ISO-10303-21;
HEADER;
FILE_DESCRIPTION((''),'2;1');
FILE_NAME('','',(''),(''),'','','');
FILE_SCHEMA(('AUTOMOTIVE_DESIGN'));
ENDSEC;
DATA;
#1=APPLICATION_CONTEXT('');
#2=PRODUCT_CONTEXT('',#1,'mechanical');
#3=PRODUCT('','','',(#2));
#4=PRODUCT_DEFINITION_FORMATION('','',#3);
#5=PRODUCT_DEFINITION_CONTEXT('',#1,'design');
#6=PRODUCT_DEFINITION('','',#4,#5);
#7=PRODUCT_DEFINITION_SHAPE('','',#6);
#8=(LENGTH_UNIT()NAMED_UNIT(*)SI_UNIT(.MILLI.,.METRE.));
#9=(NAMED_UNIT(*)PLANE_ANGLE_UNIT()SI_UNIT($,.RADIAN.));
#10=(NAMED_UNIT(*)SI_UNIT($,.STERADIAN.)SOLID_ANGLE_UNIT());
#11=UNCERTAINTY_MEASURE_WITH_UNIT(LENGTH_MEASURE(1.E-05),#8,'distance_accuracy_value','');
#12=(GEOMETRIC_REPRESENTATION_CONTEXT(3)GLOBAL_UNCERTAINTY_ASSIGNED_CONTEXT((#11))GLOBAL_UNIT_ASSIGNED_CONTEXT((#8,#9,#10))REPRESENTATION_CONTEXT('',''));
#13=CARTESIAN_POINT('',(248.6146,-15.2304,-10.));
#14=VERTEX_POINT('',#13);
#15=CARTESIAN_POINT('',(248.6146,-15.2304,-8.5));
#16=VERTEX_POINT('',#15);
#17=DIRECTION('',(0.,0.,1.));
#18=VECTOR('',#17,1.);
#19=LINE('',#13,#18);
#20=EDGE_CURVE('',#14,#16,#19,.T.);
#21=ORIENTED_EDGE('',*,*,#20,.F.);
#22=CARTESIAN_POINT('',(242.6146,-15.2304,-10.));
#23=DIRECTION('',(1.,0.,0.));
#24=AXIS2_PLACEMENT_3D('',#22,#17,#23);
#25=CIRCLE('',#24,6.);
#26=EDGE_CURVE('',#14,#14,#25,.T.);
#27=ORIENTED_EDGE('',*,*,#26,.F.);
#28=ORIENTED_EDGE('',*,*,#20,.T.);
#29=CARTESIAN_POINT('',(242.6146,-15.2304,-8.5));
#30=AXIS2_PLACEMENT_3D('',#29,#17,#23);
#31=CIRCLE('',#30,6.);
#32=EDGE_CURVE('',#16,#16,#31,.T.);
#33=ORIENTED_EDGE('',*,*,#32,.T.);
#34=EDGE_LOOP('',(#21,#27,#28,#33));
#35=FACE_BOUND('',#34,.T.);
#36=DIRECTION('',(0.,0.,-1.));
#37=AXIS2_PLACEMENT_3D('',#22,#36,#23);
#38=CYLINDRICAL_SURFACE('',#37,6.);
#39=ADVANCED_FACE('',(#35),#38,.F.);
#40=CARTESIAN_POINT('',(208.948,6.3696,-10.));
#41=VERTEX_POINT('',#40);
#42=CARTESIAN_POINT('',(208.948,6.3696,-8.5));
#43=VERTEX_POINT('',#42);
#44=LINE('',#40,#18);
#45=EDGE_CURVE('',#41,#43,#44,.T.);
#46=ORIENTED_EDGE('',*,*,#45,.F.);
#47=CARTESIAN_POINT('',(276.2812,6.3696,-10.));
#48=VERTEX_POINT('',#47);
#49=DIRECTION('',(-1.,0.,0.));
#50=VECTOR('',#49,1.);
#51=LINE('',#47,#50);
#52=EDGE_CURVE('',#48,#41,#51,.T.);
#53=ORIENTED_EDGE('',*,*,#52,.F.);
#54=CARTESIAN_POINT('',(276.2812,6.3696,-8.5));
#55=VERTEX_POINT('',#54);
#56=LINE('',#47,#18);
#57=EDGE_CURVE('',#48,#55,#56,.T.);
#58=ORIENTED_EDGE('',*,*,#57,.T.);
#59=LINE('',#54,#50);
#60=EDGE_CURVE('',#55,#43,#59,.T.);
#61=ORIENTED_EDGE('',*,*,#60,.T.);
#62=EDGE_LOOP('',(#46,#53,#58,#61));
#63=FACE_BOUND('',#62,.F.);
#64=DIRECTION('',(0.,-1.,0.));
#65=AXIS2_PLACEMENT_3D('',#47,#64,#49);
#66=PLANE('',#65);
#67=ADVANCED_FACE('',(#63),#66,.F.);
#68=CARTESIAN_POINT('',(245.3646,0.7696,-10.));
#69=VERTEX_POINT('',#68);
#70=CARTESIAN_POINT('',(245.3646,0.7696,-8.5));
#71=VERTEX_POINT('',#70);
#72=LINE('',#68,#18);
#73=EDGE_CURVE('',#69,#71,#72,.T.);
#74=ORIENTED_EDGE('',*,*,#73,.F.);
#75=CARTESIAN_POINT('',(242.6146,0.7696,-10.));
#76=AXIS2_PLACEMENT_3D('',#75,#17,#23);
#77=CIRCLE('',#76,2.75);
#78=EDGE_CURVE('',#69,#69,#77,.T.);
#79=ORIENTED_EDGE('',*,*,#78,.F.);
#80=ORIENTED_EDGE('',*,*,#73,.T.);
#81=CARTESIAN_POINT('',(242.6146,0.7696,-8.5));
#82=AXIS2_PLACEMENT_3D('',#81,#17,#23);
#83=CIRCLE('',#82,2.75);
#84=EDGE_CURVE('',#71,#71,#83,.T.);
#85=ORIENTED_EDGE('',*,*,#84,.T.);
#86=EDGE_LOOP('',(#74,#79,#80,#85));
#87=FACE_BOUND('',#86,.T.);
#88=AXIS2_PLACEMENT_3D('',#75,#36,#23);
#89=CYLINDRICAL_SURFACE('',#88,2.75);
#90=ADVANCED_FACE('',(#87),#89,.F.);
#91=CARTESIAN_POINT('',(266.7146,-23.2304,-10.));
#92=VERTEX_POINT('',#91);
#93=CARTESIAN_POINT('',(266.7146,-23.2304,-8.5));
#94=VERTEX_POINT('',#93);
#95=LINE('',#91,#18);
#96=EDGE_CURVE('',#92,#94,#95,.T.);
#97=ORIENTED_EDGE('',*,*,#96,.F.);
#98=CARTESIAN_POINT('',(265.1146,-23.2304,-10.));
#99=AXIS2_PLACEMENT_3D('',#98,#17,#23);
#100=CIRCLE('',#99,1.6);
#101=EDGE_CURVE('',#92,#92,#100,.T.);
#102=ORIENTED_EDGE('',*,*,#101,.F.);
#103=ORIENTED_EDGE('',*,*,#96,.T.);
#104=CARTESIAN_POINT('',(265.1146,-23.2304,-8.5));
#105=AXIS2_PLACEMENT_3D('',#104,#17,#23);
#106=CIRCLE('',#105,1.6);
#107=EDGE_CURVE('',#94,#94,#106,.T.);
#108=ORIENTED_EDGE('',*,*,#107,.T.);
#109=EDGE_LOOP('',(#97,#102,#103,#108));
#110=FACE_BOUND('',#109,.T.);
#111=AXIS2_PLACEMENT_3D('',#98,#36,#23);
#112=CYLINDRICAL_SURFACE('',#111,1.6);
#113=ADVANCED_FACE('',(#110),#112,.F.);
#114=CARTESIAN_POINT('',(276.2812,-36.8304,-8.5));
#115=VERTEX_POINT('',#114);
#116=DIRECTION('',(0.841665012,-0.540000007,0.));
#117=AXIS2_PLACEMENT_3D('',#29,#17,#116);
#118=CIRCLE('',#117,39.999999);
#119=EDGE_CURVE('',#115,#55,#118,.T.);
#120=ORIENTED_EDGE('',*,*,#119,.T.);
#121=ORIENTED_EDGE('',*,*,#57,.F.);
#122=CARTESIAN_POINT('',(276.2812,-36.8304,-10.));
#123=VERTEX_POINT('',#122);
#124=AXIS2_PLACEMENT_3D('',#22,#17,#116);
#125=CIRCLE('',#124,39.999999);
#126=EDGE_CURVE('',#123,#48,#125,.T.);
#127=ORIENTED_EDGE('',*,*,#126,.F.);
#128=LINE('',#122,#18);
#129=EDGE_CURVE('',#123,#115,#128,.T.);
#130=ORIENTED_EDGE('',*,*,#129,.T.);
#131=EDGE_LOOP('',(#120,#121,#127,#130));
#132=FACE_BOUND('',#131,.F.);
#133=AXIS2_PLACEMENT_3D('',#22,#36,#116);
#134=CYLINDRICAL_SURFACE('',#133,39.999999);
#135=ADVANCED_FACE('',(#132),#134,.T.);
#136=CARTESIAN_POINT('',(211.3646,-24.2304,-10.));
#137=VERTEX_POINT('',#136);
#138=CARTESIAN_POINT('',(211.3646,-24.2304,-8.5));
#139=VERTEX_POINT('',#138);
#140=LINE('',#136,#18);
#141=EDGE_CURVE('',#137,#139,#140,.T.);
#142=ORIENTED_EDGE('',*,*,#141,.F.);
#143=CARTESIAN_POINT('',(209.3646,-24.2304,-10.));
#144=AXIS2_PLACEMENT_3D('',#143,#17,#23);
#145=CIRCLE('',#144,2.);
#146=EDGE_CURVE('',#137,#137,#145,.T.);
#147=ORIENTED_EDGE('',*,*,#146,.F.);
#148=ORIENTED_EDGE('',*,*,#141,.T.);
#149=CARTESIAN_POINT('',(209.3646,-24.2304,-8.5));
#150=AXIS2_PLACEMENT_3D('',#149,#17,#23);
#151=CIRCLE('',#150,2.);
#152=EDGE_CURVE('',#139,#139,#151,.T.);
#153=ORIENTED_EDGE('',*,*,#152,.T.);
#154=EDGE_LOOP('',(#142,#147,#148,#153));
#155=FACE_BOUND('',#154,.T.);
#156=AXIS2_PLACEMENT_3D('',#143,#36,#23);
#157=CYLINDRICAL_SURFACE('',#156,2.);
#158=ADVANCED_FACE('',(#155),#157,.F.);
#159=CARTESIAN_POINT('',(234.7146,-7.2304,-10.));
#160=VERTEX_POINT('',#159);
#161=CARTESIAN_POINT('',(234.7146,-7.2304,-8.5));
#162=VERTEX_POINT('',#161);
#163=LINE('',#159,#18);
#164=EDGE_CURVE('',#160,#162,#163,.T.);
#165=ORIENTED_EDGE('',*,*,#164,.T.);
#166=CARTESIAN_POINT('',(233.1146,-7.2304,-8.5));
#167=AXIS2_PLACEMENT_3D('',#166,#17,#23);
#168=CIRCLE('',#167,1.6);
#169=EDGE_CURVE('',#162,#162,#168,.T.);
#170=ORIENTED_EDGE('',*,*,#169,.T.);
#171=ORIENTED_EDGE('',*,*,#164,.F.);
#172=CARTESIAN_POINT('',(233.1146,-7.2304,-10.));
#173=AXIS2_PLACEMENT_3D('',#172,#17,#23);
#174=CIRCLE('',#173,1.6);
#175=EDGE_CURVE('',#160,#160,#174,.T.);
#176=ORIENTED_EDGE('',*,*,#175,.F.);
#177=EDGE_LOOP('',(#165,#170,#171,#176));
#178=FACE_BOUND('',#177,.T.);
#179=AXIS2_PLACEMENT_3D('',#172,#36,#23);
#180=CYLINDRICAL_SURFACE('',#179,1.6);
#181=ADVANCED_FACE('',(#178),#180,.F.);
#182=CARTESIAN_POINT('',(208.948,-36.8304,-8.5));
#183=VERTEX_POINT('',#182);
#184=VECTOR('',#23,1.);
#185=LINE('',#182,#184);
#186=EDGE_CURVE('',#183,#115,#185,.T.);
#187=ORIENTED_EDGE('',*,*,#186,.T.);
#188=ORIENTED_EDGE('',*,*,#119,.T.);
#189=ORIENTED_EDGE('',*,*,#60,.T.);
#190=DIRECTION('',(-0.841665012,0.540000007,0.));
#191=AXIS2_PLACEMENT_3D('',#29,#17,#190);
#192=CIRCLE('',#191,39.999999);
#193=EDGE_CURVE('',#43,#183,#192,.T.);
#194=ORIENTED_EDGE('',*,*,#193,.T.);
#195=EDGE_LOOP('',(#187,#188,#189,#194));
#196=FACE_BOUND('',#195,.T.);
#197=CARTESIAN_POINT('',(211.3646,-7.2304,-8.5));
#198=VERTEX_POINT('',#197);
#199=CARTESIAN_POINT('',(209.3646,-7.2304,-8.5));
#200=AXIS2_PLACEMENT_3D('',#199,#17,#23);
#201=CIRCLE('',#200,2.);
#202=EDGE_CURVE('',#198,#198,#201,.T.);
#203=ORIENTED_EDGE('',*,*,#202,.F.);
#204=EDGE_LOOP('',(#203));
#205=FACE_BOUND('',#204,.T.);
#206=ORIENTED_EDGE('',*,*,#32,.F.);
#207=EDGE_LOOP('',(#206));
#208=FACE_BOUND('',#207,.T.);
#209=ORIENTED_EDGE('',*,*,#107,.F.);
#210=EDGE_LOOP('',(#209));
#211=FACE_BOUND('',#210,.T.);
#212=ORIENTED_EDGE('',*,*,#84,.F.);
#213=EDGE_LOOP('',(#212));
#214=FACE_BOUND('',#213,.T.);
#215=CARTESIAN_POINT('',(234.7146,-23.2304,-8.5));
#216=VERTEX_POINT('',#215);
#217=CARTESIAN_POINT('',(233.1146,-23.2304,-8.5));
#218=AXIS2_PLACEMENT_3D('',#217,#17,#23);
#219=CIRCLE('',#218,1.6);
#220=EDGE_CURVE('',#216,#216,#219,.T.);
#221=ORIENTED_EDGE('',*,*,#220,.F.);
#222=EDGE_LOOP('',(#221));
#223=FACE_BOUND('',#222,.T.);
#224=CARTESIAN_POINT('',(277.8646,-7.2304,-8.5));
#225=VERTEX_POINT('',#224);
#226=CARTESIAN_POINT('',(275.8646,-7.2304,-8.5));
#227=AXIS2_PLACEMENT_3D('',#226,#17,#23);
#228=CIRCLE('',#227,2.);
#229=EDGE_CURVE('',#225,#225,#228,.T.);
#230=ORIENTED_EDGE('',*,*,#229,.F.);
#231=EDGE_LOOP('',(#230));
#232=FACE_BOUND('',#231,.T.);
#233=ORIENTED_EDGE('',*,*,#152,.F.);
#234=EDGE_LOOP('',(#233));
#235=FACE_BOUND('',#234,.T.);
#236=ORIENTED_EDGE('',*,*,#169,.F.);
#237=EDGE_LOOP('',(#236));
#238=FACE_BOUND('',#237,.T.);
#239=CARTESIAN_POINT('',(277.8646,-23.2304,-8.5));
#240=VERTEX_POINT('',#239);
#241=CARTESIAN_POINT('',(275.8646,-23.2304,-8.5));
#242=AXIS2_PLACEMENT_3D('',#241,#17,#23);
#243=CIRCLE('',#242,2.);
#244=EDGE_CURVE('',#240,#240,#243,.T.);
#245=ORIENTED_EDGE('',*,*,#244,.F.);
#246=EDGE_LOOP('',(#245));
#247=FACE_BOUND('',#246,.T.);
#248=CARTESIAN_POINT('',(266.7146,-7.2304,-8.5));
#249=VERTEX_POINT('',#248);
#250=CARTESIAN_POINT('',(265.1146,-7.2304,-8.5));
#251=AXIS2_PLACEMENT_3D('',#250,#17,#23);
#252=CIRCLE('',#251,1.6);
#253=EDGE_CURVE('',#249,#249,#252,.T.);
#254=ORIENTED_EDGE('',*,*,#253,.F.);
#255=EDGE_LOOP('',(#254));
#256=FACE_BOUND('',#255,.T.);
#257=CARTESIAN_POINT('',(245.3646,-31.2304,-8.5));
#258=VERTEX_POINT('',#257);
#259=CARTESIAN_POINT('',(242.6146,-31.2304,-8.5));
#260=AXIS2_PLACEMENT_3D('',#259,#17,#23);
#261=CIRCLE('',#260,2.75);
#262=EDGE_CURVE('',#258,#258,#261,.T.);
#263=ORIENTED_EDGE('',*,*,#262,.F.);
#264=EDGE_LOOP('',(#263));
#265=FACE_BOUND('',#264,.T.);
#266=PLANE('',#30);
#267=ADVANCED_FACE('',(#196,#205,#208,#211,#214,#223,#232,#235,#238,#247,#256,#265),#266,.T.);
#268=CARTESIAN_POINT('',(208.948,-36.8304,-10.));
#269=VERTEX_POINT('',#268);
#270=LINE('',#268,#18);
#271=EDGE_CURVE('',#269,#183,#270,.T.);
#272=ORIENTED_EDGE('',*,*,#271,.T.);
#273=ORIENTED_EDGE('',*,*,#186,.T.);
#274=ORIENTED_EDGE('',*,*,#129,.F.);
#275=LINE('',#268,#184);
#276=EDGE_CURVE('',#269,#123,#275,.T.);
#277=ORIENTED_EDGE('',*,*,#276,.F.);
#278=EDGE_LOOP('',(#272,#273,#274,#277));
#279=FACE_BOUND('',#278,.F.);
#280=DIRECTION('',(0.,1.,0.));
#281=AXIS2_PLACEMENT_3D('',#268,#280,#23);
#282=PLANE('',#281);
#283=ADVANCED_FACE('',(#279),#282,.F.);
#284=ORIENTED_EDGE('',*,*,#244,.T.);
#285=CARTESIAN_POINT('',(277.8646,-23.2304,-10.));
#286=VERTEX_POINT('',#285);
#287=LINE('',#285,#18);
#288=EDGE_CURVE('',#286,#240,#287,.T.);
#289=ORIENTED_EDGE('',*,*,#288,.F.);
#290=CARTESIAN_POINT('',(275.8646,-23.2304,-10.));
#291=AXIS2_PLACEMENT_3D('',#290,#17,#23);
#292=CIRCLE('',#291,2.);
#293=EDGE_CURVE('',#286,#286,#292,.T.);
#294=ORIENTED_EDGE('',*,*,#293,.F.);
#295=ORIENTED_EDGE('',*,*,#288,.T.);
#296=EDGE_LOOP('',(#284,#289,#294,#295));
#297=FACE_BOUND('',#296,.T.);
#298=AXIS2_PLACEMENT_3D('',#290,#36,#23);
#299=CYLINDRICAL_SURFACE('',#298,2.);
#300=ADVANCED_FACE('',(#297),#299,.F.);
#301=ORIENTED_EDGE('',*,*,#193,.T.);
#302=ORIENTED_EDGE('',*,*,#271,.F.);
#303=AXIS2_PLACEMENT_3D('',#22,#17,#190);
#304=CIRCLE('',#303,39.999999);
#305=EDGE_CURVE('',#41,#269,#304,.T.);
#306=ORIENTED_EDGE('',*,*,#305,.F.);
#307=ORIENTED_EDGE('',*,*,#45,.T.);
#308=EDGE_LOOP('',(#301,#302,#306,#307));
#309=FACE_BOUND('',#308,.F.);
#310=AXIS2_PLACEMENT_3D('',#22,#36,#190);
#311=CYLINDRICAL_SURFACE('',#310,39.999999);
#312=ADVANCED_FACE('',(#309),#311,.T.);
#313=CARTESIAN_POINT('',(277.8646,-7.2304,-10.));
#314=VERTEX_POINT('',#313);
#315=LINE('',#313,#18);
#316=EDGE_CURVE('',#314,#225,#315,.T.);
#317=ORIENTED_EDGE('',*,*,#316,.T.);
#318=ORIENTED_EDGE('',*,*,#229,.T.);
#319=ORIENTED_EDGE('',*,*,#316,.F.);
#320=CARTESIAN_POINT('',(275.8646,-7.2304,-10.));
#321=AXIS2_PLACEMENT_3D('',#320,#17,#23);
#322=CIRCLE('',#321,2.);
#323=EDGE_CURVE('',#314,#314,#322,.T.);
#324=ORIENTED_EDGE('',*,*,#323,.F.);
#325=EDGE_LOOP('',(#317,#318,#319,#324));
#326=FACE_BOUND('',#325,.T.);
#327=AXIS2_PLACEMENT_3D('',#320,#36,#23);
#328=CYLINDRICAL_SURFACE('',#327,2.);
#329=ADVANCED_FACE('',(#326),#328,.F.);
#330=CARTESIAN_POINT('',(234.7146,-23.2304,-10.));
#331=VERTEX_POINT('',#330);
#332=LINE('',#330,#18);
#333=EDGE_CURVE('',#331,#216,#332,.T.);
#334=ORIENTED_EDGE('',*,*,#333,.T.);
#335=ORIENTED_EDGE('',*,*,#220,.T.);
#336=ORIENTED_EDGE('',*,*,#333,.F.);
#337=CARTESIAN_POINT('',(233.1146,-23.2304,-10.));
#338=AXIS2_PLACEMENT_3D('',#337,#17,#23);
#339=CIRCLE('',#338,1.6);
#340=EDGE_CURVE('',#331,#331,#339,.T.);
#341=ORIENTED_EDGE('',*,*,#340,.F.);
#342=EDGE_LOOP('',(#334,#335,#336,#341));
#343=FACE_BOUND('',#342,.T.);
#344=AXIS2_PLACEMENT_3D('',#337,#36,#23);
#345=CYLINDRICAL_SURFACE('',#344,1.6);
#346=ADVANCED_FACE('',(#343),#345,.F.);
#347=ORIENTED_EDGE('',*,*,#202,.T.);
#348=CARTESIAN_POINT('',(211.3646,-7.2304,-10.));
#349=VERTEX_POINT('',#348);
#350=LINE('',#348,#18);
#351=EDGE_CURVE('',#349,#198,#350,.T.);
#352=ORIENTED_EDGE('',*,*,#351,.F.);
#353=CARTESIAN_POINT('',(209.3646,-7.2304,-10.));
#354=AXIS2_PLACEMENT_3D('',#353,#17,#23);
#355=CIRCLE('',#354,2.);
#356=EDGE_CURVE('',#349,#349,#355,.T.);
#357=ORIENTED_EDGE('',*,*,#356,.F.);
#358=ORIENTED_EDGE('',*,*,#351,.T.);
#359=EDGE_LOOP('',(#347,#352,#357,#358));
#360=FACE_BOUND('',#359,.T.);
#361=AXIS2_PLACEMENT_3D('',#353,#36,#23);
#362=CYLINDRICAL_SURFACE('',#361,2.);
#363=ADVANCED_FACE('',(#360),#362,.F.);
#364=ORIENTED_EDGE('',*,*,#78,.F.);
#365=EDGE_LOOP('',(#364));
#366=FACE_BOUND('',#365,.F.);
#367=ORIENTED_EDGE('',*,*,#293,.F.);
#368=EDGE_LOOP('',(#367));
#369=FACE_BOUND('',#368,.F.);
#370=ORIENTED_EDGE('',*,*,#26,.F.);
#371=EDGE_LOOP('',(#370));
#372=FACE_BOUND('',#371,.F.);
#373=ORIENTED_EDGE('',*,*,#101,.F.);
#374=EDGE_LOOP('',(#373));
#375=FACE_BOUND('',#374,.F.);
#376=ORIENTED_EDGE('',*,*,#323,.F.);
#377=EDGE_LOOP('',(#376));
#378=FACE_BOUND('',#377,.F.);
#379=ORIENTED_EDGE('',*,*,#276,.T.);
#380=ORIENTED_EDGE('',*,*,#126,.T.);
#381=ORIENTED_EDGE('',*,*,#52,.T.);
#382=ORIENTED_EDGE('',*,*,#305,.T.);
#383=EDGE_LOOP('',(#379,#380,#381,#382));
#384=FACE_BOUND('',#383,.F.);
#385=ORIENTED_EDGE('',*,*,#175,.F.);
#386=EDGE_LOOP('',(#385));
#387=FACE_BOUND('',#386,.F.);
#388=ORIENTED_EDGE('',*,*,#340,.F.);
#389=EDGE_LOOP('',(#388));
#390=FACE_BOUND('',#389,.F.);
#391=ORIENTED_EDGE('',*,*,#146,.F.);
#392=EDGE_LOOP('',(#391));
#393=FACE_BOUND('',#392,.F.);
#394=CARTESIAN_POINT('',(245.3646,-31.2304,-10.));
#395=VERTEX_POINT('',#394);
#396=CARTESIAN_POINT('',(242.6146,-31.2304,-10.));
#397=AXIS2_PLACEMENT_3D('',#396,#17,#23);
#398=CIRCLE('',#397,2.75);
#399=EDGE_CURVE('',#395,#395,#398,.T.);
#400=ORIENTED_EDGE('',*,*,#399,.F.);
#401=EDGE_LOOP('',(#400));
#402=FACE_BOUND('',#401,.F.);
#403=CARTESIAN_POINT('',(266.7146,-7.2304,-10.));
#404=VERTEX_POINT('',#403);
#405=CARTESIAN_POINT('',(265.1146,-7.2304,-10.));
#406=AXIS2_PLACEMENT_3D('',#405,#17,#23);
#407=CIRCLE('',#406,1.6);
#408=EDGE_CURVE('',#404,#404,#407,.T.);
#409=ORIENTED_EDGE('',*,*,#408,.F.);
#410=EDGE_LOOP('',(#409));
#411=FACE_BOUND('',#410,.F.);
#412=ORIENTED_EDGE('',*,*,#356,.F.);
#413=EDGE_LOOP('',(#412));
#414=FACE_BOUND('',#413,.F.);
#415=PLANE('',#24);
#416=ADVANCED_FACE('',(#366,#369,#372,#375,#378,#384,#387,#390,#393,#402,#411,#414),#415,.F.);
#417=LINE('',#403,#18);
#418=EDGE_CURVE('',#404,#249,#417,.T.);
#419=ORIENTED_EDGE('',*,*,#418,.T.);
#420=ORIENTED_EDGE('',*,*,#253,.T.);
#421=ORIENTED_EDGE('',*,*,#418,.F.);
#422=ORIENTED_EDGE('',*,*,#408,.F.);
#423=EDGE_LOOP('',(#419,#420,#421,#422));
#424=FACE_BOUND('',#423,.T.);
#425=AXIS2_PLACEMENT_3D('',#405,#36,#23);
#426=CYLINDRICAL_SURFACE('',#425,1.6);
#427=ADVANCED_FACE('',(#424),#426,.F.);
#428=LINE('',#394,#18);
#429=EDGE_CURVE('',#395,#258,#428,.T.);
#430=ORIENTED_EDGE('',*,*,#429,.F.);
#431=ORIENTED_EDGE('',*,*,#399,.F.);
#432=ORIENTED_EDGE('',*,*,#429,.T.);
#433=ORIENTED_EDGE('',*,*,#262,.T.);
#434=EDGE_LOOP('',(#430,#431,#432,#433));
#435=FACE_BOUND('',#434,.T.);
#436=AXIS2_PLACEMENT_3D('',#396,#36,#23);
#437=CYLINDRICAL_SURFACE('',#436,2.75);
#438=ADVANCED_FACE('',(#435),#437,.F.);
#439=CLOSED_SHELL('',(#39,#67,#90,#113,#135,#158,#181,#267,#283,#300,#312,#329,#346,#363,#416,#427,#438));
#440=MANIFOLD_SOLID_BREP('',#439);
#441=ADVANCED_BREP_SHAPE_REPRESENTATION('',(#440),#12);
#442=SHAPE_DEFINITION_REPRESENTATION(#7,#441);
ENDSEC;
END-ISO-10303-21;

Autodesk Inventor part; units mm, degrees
ref_plane "YZ Plane" through (0, 0, 0) normal (1, 0, 0) x (0, 1, 0)
ref_plane "XZ Plane" through (0, 0, 0) normal (0, 1, 0) x (-1, 0, 0)
ref_plane "XY Plane" through (0, 0, 0) normal (0, 0, 1) x (1, 0, 0)
sketch "スケッチ1" plane through (0, 0, 0) normal (0, 0, 1) x (1, 0, 0)
  point P0 (0, 0)
ref_plane "作業平面1" through (242.6146, -15.2304, -10) normal (0, 0, 1) x (1, 0, 0)
sketch "スケッチ2" plane through (242.6146, -15.2304, -10) normal (0, 0, 1) x (1, 0, 0)
  line L0 (-33.6666, -21.6) -> (33.6666, -21.6) projected
  arc A0 (33.6666, -21.6) -> (33.6666, 21.6) centre (0, 0) ccw projected
  line L1 (33.6666, 21.6) -> (-33.6666, 21.6) projected
  arc A1 (-33.6666, 21.6) -> (-33.6666, -21.6) centre (0, 0) ccw projected
  circle A2 centre (33.25, -8) radius 2 projected
  circle A3 centre (33.25, 8) radius 2 projected
  circle A4 centre (22.5, 8) radius 1.6 projected
  circle A5 centre (22.5, -8) radius 1.6 projected
  line L2 (-4.9746, -0.5032) -> (-4.9749, 0.5004) projected
  arc A6 (-4.9746, -0.5032) -> (-4.9749, 0.5004) centre (0, 0) ccw projected
  circle A7 centre (-33.25, 8) radius 2 projected
  circle A8 centre (-9.5, -8) radius 1.6 projected
  circle A9 centre (-9.5, 8) radius 1.6 projected
  circle A10 centre (-33.25, -9) radius 2 projected
  circle A11 centre (0, 0) radius 6
  circle A12 centre (0, 16) radius 2.75 projected
  circle A13 centre (0, -16) radius 2.75 projected
  point P0 (-242.6146, 15.2304)
  dimension "d0" = 12
extrude "押し出し1" add sketch "スケッチ2" along normal blind 1.5 contours A1 L1 A0 L0
